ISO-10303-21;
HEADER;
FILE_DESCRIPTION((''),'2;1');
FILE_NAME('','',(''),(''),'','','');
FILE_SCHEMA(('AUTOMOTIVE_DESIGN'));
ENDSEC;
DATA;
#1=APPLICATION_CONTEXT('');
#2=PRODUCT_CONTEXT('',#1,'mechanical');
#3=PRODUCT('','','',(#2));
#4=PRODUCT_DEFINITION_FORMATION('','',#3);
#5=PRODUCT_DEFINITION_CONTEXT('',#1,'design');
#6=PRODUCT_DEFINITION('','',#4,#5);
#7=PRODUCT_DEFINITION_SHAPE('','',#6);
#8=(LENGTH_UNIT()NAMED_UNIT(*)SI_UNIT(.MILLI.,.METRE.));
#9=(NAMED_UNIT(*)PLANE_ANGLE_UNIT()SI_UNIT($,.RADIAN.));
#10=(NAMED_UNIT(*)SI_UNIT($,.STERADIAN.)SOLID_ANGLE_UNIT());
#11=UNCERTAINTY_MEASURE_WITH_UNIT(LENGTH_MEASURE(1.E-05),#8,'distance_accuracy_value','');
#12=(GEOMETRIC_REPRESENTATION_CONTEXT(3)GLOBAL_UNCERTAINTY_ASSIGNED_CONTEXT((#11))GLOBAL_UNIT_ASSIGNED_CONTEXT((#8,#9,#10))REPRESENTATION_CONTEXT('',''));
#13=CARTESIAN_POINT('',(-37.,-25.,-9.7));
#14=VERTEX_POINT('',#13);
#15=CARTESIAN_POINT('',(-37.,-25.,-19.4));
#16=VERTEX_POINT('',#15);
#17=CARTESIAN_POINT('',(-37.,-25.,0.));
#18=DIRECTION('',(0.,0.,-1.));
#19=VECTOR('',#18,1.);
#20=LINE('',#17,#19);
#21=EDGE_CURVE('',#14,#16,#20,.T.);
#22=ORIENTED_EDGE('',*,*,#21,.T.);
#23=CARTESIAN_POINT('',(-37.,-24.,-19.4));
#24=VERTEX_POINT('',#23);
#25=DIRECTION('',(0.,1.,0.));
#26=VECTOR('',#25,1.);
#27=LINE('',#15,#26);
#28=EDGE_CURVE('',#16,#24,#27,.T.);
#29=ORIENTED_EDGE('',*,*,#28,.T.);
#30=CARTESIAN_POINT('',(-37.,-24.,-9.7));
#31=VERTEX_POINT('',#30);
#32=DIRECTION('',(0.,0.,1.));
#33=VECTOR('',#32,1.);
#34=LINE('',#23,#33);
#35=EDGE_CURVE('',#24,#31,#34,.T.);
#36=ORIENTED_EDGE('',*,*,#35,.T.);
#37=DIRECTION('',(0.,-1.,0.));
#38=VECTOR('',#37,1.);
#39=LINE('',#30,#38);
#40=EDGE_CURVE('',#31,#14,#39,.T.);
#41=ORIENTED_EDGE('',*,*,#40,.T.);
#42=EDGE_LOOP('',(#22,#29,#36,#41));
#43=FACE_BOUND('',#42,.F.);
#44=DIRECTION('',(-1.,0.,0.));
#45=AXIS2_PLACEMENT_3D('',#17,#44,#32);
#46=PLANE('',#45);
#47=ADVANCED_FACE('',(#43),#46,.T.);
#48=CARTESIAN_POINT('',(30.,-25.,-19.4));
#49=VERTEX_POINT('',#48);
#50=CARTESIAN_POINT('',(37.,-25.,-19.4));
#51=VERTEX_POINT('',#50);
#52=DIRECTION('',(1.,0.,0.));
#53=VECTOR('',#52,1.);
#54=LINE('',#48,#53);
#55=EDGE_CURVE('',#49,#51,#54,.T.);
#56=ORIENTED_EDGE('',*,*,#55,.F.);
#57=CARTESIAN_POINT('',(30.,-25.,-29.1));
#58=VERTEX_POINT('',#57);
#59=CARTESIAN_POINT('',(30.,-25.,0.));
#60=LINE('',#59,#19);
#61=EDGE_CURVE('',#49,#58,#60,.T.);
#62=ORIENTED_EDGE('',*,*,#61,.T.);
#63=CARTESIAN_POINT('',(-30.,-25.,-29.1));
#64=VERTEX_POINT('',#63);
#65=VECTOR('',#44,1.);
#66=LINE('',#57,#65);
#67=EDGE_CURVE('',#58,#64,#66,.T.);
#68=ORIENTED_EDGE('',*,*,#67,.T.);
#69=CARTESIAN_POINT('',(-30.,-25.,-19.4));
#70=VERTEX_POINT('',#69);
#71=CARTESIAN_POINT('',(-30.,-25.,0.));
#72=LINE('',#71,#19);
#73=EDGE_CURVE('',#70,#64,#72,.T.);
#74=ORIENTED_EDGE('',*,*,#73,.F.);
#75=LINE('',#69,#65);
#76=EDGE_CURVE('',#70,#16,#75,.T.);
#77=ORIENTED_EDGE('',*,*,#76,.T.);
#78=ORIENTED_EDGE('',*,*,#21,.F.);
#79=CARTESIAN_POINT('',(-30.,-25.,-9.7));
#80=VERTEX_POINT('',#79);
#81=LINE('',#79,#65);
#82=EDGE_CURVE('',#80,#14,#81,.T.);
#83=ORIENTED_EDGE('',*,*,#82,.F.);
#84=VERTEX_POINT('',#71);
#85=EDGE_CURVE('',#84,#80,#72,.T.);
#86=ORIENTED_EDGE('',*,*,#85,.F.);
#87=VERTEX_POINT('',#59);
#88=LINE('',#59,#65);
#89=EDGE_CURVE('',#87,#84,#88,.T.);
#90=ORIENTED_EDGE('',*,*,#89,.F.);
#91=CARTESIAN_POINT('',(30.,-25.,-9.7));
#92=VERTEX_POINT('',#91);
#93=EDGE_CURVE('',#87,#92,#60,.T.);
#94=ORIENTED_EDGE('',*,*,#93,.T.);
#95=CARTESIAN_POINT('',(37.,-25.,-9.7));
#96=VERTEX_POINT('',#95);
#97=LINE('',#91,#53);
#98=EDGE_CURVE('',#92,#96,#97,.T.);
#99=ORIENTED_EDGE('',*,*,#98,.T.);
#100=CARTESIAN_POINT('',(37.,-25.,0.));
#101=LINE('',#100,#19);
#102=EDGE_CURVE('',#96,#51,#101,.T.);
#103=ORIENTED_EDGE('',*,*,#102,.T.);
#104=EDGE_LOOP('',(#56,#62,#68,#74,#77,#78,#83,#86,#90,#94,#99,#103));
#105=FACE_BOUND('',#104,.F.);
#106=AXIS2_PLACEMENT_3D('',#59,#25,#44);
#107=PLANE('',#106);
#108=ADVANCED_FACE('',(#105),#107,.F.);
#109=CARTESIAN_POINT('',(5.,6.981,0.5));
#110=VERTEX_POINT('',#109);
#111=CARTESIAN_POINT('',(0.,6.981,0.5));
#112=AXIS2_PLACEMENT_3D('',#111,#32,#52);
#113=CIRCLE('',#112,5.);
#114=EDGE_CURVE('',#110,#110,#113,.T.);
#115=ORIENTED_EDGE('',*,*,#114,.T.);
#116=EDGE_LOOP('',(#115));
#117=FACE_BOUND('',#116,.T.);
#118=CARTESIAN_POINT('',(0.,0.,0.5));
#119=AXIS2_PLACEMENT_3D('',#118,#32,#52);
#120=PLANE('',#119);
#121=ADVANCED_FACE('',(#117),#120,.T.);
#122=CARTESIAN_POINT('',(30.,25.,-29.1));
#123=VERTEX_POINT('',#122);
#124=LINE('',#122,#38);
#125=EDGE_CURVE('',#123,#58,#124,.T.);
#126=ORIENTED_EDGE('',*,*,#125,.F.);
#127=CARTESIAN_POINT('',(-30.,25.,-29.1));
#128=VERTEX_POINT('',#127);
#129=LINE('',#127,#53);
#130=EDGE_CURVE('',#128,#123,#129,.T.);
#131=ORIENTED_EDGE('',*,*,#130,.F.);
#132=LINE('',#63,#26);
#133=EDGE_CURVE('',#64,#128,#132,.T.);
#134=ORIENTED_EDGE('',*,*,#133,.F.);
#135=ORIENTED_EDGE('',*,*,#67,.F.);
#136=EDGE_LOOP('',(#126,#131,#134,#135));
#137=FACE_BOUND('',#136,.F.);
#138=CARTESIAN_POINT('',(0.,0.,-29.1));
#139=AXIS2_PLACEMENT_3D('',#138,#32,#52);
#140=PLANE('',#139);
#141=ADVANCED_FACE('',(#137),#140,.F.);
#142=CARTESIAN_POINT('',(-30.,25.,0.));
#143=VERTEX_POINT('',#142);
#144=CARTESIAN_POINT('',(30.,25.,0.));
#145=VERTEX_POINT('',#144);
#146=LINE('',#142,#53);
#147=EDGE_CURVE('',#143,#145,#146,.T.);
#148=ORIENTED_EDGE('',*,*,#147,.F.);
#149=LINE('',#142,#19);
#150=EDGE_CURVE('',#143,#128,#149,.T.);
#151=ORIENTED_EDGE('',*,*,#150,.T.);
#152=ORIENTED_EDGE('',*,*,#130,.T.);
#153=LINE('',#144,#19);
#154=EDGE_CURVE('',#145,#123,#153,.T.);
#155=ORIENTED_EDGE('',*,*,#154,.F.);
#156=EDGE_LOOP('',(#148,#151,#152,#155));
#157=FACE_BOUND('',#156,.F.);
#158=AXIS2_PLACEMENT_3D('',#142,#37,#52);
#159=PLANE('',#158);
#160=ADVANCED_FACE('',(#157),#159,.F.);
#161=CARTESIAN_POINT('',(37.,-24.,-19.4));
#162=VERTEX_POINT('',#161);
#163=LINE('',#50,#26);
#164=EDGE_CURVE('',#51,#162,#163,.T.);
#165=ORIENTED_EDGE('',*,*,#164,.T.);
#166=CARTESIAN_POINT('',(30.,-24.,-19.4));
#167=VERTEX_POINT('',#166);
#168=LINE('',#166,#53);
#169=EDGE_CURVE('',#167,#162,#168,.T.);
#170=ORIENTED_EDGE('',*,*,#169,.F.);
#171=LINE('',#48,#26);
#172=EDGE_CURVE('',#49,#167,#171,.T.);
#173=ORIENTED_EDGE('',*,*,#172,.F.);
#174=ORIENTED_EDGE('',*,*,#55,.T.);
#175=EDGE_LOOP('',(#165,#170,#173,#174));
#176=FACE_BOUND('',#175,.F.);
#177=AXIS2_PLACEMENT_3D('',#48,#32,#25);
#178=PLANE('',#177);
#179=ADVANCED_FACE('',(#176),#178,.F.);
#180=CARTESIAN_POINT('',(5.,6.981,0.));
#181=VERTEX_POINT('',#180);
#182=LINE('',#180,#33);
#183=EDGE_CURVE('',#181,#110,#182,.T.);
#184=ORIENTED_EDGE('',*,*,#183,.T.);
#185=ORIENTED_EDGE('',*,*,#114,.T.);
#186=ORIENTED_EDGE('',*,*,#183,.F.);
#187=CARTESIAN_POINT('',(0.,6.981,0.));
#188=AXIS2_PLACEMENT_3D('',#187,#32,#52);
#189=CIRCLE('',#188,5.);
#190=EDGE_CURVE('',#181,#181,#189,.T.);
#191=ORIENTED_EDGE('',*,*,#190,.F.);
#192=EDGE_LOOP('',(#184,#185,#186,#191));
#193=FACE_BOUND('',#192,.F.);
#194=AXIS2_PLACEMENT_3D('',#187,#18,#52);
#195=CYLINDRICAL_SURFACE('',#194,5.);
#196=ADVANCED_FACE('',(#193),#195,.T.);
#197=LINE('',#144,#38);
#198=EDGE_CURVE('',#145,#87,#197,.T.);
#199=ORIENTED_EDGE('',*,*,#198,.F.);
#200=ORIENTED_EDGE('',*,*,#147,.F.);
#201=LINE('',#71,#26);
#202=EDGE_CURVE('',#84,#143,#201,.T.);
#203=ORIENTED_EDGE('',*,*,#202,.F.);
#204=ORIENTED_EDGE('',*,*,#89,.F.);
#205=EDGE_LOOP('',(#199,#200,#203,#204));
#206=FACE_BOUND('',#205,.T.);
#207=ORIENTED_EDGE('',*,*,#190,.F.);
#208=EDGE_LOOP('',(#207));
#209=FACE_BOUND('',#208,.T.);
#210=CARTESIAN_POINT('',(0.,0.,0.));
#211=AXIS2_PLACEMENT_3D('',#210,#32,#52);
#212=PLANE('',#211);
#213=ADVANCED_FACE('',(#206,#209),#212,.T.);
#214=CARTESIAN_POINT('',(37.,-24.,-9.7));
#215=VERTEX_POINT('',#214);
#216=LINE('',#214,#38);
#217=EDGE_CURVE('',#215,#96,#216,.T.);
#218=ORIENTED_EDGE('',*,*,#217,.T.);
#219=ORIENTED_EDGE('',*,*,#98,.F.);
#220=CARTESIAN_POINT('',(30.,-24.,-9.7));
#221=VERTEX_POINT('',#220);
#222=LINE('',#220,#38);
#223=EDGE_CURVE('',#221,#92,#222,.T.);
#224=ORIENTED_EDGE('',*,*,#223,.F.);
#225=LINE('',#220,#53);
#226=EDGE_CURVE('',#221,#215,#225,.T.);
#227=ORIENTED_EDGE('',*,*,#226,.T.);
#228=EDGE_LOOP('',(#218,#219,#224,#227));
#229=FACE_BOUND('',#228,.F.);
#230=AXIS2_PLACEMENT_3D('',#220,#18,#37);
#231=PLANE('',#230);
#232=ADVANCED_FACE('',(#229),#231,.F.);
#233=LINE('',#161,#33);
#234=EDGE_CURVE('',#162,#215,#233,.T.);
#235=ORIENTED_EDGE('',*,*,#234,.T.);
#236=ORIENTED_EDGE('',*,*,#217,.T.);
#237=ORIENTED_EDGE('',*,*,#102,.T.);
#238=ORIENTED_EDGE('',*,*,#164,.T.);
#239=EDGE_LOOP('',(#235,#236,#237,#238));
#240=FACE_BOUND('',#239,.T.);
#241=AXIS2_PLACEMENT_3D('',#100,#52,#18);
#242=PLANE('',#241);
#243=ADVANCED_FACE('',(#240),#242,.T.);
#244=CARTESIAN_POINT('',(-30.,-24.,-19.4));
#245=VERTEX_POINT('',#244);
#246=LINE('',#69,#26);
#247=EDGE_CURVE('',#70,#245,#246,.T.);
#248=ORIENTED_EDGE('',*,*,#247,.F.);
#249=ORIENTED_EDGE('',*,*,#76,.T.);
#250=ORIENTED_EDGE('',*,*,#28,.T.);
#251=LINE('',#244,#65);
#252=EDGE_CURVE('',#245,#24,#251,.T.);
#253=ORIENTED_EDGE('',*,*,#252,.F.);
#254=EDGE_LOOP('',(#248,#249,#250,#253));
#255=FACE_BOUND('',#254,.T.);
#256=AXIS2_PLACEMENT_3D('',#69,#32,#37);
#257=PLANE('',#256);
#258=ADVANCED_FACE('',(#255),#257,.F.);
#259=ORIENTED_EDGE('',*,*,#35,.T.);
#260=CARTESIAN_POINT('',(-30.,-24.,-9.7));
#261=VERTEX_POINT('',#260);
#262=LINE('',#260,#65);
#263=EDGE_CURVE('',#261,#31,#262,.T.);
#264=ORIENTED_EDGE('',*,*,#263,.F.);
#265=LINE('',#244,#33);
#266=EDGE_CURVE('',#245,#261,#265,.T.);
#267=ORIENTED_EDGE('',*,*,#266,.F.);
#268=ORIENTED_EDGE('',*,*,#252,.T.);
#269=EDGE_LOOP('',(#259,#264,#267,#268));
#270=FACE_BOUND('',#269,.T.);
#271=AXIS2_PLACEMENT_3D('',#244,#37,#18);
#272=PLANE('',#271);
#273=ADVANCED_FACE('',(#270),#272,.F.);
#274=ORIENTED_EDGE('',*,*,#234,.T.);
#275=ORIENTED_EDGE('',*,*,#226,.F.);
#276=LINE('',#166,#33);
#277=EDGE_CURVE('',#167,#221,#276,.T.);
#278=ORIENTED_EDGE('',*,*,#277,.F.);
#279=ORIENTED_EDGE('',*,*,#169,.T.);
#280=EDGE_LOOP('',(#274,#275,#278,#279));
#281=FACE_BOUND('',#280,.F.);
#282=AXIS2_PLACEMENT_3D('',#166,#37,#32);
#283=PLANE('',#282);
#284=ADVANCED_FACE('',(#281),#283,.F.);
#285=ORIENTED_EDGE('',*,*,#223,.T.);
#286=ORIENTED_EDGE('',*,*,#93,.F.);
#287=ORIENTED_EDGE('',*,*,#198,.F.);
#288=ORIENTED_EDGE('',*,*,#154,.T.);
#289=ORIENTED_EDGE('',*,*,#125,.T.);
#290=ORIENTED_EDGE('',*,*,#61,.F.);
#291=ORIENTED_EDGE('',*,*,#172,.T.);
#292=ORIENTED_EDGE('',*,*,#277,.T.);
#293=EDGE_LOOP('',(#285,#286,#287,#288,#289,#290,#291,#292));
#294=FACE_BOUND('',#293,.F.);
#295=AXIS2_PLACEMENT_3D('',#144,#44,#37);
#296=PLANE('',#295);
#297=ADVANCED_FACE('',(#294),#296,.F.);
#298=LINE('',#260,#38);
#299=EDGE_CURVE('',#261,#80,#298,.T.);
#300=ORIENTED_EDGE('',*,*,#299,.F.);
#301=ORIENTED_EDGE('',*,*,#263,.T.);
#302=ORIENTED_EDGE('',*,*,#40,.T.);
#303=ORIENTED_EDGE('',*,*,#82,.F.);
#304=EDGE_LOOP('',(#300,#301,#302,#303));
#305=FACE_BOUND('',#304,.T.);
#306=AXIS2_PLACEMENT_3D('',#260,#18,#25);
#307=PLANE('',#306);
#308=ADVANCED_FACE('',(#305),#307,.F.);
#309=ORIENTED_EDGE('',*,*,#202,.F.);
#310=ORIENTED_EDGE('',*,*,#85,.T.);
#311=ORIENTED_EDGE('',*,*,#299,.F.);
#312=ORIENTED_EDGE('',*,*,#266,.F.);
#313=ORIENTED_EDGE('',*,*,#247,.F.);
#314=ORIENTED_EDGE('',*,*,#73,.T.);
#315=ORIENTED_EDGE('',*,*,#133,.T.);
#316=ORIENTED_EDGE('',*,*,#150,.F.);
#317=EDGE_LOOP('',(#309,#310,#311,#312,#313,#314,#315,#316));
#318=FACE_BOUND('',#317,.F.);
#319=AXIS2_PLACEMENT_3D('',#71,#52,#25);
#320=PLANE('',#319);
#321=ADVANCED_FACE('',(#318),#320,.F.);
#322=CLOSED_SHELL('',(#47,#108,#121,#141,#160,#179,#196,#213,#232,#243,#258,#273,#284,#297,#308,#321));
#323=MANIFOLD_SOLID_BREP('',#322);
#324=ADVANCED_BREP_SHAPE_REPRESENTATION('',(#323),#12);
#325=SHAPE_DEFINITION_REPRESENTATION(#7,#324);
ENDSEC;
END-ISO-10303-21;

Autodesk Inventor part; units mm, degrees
ref_plane "YZ Plane" through (0, 0, 0) normal (1, 0, 0) x (0, 1, 0)
ref_plane "XZ Plane" through (0, 0, 0) normal (0, 1, 0) x (-1, 0, 0)
ref_plane "XY Plane" through (0, 0, 0) normal (0, 0, 1) x (1, 0, 0)
sketch "Skizze1" plane through (0, 0, 0) normal (0, 0, 1) x (1, 0, 0)
  line L0 (30, -25) -> (-30, -25)
  line L1 (-30, -25) -> (-30, 25)
  line L2 (-30, 25) -> (30, 25)
  line L3 (30, 25) -> (30, -25)
  point P0 (0, 0)
  point P1 (-30, 0)
  point P2 (0, 25)
  dimension "d0" = 50
  dimension "d1" = 60
extrude "Extrusion1" add sketch "Skizze1" against normal blind 29.1
sketch "Skizze2" plane through (0, 0, 0) normal (0, 0, 1) x (1, 0, 0)
  line L0 (-30, -25) -> (30, -25) projected
  circle A0 centre (0, 6.981) radius 5
  point P0 (0, 0)
  dimension "d4" = 31.981
  dimension "d5" = 10
sketch "Skizze4" plane through (30, -25, 0) normal (1, 0, 0) x (0, 0, -1)
  line L0 (0, 0) -> (0, 50) projected
  line L1 (0, 0) -> (29.1, 0) projected
  line L2 (29.1, 0) -> (19.4, 0)
  line L3 (9.7, 0) -> (19.4, 0)
  line L4 (19.4, 0) -> (19.4, 1)
  line L5 (19.4, 1) -> (9.7, 1)
  line L6 (9.7, 1) -> (9.7, 0)
  point P0 (0, 25)
extrude "Extrusion3" add sketch "Skizze4" along normal blind 7
mirror "Spiegeln1" about plane through (0, 0, 0) normal (1, 0, 0) of "Extrusion3"
sketch "Skizze5" plane through (30, -24, -9.7) normal (0, 1, 0) x (1, 0, 0)
  line L0 (7, 0) -> (7, 9.7) projected
  line L1 (0, -9.7) -> (0, 19.4) projected
  line L2 (0, -9.7) -> (0, 0) projected
  line L3 (-60, 9.7) -> (-60, 0) projected
  line L4 (-60, 9.7) -> (-67, 9.7) projected
  line L5 (-67, 9.7) -> (-67, 0) projected
  point P0 (-30, -9.7)
  point P1 (3.5, 4.7412)
  point P2 (-63.5, 4.85)
sketch "Skizze6" plane through (-30, 25, 0) normal (0, 1, 0) x (1, 0, 0)
  line L0 (17.0015, 26.6738) -> (64.1972, 26.6738) construction
  line L1 (64.1972, 26.6738) -> (64.1972, 22.3208) construction
  line L2 (64.1972, 22.3208) -> (17.0015, 22.3208) construction
  line L3 (17.0015, 22.3208) -> (17.0015, 26.6738) construction
  point P0 (30, 0)
extrude "Extrusion4" add sketch "Skizze2" along normal blind 0.5
properties part number "Lenkmotor1" material "Gold"
